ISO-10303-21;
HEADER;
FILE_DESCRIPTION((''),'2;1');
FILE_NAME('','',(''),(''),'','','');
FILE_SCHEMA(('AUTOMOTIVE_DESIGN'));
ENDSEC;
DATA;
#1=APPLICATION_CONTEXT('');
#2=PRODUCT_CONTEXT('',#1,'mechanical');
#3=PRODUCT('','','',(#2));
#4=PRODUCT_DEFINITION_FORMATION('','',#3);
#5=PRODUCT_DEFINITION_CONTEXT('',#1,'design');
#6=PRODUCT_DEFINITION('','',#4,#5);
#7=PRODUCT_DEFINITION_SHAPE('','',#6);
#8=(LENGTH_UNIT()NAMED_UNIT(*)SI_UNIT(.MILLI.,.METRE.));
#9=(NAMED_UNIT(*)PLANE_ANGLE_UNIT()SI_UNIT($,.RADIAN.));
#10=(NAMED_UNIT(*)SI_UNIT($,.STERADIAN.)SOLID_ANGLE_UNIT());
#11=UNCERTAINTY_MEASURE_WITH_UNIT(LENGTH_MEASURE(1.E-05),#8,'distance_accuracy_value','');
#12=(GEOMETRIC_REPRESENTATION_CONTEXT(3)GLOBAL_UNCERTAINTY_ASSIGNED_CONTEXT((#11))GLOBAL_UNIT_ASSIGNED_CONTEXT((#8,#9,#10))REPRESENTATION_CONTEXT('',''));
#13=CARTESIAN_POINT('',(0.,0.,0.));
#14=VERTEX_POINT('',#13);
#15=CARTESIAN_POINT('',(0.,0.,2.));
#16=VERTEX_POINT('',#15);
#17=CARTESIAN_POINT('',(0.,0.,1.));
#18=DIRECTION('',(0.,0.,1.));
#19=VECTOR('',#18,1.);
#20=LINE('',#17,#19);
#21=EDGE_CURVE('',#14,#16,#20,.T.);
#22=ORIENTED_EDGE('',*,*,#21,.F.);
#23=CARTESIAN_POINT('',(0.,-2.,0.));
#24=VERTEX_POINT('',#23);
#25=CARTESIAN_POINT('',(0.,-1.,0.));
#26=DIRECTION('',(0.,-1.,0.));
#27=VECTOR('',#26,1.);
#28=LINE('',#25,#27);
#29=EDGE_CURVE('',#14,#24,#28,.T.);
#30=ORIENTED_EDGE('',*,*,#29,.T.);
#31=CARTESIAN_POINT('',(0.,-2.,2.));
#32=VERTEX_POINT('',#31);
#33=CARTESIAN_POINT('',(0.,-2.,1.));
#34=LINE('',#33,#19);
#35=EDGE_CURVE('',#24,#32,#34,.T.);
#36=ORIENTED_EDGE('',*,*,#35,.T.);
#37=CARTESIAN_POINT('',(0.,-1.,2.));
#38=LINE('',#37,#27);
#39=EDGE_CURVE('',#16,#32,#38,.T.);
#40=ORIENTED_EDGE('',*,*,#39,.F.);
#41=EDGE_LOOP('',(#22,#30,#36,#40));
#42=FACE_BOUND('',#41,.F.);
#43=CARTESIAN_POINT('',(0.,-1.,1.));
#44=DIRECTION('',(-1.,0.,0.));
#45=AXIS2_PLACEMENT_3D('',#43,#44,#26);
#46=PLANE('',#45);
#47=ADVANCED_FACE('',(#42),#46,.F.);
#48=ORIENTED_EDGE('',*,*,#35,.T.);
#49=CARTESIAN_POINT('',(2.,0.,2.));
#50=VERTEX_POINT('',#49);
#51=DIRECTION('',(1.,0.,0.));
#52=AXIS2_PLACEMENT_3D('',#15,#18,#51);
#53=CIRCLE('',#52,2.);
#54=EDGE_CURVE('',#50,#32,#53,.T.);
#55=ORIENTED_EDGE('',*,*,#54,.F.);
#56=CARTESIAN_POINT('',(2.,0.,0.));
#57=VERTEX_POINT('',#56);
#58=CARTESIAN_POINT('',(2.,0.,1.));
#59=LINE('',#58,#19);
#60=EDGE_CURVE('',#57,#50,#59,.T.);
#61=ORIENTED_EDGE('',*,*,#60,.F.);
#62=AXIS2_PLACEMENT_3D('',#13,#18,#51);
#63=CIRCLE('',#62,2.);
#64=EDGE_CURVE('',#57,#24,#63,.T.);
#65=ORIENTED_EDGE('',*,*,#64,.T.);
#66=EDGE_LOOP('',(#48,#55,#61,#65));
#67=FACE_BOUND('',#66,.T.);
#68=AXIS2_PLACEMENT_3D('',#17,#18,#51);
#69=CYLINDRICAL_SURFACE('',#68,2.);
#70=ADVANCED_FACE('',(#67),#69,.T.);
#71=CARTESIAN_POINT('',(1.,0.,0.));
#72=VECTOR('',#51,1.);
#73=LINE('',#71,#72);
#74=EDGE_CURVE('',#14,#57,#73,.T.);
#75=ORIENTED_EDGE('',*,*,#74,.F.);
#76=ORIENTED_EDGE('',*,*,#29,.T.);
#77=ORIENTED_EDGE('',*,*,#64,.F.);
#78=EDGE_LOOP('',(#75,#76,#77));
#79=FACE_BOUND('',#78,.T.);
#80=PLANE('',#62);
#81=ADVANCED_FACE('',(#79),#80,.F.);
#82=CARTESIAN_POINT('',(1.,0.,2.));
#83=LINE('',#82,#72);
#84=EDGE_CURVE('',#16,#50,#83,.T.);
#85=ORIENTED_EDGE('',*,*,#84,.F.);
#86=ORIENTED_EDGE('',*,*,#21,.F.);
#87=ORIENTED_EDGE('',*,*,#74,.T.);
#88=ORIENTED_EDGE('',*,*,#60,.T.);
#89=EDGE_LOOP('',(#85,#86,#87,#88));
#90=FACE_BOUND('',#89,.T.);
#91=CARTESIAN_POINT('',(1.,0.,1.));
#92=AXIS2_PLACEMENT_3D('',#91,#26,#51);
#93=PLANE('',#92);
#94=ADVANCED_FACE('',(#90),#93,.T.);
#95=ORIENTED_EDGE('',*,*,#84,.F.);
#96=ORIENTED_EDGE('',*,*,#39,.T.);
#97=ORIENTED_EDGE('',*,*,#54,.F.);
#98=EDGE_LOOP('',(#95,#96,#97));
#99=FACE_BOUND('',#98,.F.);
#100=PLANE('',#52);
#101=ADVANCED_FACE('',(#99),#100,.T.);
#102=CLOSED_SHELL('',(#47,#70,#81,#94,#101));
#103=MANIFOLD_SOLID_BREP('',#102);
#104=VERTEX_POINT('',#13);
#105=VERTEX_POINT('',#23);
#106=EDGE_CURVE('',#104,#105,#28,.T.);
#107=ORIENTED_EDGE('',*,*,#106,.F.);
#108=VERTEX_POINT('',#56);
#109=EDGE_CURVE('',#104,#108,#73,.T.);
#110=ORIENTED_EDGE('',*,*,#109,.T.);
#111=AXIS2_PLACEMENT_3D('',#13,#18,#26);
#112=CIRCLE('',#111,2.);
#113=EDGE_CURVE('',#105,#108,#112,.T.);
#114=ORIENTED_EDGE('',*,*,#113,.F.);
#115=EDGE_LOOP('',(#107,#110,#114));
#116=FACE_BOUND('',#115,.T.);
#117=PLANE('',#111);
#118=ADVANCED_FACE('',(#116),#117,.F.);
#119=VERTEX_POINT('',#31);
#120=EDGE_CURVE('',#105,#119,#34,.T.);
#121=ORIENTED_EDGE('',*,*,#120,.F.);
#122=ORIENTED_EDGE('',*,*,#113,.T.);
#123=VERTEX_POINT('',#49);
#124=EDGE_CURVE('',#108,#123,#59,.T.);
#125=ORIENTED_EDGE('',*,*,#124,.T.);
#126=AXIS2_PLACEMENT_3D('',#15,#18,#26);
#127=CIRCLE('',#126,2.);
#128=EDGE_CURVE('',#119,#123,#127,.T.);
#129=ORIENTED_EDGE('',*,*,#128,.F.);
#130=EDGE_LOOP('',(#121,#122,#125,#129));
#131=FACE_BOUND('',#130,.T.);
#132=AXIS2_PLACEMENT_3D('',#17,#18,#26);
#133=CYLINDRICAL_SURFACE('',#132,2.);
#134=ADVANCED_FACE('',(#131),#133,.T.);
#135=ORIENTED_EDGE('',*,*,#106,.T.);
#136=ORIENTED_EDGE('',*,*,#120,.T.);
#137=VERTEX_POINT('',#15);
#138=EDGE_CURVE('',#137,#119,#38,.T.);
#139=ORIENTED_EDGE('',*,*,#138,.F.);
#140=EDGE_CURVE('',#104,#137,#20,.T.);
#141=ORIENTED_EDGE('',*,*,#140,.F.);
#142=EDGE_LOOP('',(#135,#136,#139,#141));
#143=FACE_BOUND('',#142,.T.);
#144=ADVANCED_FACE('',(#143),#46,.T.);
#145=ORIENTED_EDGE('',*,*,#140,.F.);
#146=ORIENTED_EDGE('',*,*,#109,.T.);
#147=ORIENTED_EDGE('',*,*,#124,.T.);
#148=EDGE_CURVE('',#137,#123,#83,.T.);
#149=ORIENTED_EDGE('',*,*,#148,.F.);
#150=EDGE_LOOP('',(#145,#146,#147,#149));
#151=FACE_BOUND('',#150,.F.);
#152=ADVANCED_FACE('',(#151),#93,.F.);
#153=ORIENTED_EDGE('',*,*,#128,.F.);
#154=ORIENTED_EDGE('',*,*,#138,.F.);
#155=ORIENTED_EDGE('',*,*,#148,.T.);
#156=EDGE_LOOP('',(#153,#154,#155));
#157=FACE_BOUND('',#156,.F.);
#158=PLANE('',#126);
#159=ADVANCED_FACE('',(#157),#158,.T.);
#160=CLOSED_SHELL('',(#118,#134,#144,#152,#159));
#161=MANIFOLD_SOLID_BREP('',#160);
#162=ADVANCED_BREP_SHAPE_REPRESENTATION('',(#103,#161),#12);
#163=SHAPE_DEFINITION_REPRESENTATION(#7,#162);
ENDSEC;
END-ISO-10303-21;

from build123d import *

# Parameters (mm, degrees)
CYLINDER_W        = 2
CYLINDER_H        = 2
CYLINDER_ANGLE    = 270
CYLINDER001_W     = 2
CYLINDER001_H     = 2
CYLINDER001_ANGLE = 90


with BuildPart() as cilindro:
    # Cylinder → Cylinder (revolve)
    with BuildSketch(Plane.XZ):
        with Locations((1, 1)):
            Rectangle(CYLINDER_W, CYLINDER_H)
    revolve(axis=Axis((0, 0, 0), (0, 0, 1)), revolution_arc=CYLINDER_ANGLE)


with BuildPart() as cilindro001:
    # Cylinder001 → Cylinder001 (revolve)
    with BuildSketch(Plane(origin=(0, 0, 0), x_dir=(0, -1, 0), z_dir=(-1, 0, 0))):
        with Locations((1, 1)):
            Rectangle(CYLINDER001_W, CYLINDER001_H)
    revolve(axis=Axis((0, 0, 0), (0, 0, 1)), revolution_arc=CYLINDER001_ANGLE)


solid = Compound([cilindro.part, cilindro001.part])
